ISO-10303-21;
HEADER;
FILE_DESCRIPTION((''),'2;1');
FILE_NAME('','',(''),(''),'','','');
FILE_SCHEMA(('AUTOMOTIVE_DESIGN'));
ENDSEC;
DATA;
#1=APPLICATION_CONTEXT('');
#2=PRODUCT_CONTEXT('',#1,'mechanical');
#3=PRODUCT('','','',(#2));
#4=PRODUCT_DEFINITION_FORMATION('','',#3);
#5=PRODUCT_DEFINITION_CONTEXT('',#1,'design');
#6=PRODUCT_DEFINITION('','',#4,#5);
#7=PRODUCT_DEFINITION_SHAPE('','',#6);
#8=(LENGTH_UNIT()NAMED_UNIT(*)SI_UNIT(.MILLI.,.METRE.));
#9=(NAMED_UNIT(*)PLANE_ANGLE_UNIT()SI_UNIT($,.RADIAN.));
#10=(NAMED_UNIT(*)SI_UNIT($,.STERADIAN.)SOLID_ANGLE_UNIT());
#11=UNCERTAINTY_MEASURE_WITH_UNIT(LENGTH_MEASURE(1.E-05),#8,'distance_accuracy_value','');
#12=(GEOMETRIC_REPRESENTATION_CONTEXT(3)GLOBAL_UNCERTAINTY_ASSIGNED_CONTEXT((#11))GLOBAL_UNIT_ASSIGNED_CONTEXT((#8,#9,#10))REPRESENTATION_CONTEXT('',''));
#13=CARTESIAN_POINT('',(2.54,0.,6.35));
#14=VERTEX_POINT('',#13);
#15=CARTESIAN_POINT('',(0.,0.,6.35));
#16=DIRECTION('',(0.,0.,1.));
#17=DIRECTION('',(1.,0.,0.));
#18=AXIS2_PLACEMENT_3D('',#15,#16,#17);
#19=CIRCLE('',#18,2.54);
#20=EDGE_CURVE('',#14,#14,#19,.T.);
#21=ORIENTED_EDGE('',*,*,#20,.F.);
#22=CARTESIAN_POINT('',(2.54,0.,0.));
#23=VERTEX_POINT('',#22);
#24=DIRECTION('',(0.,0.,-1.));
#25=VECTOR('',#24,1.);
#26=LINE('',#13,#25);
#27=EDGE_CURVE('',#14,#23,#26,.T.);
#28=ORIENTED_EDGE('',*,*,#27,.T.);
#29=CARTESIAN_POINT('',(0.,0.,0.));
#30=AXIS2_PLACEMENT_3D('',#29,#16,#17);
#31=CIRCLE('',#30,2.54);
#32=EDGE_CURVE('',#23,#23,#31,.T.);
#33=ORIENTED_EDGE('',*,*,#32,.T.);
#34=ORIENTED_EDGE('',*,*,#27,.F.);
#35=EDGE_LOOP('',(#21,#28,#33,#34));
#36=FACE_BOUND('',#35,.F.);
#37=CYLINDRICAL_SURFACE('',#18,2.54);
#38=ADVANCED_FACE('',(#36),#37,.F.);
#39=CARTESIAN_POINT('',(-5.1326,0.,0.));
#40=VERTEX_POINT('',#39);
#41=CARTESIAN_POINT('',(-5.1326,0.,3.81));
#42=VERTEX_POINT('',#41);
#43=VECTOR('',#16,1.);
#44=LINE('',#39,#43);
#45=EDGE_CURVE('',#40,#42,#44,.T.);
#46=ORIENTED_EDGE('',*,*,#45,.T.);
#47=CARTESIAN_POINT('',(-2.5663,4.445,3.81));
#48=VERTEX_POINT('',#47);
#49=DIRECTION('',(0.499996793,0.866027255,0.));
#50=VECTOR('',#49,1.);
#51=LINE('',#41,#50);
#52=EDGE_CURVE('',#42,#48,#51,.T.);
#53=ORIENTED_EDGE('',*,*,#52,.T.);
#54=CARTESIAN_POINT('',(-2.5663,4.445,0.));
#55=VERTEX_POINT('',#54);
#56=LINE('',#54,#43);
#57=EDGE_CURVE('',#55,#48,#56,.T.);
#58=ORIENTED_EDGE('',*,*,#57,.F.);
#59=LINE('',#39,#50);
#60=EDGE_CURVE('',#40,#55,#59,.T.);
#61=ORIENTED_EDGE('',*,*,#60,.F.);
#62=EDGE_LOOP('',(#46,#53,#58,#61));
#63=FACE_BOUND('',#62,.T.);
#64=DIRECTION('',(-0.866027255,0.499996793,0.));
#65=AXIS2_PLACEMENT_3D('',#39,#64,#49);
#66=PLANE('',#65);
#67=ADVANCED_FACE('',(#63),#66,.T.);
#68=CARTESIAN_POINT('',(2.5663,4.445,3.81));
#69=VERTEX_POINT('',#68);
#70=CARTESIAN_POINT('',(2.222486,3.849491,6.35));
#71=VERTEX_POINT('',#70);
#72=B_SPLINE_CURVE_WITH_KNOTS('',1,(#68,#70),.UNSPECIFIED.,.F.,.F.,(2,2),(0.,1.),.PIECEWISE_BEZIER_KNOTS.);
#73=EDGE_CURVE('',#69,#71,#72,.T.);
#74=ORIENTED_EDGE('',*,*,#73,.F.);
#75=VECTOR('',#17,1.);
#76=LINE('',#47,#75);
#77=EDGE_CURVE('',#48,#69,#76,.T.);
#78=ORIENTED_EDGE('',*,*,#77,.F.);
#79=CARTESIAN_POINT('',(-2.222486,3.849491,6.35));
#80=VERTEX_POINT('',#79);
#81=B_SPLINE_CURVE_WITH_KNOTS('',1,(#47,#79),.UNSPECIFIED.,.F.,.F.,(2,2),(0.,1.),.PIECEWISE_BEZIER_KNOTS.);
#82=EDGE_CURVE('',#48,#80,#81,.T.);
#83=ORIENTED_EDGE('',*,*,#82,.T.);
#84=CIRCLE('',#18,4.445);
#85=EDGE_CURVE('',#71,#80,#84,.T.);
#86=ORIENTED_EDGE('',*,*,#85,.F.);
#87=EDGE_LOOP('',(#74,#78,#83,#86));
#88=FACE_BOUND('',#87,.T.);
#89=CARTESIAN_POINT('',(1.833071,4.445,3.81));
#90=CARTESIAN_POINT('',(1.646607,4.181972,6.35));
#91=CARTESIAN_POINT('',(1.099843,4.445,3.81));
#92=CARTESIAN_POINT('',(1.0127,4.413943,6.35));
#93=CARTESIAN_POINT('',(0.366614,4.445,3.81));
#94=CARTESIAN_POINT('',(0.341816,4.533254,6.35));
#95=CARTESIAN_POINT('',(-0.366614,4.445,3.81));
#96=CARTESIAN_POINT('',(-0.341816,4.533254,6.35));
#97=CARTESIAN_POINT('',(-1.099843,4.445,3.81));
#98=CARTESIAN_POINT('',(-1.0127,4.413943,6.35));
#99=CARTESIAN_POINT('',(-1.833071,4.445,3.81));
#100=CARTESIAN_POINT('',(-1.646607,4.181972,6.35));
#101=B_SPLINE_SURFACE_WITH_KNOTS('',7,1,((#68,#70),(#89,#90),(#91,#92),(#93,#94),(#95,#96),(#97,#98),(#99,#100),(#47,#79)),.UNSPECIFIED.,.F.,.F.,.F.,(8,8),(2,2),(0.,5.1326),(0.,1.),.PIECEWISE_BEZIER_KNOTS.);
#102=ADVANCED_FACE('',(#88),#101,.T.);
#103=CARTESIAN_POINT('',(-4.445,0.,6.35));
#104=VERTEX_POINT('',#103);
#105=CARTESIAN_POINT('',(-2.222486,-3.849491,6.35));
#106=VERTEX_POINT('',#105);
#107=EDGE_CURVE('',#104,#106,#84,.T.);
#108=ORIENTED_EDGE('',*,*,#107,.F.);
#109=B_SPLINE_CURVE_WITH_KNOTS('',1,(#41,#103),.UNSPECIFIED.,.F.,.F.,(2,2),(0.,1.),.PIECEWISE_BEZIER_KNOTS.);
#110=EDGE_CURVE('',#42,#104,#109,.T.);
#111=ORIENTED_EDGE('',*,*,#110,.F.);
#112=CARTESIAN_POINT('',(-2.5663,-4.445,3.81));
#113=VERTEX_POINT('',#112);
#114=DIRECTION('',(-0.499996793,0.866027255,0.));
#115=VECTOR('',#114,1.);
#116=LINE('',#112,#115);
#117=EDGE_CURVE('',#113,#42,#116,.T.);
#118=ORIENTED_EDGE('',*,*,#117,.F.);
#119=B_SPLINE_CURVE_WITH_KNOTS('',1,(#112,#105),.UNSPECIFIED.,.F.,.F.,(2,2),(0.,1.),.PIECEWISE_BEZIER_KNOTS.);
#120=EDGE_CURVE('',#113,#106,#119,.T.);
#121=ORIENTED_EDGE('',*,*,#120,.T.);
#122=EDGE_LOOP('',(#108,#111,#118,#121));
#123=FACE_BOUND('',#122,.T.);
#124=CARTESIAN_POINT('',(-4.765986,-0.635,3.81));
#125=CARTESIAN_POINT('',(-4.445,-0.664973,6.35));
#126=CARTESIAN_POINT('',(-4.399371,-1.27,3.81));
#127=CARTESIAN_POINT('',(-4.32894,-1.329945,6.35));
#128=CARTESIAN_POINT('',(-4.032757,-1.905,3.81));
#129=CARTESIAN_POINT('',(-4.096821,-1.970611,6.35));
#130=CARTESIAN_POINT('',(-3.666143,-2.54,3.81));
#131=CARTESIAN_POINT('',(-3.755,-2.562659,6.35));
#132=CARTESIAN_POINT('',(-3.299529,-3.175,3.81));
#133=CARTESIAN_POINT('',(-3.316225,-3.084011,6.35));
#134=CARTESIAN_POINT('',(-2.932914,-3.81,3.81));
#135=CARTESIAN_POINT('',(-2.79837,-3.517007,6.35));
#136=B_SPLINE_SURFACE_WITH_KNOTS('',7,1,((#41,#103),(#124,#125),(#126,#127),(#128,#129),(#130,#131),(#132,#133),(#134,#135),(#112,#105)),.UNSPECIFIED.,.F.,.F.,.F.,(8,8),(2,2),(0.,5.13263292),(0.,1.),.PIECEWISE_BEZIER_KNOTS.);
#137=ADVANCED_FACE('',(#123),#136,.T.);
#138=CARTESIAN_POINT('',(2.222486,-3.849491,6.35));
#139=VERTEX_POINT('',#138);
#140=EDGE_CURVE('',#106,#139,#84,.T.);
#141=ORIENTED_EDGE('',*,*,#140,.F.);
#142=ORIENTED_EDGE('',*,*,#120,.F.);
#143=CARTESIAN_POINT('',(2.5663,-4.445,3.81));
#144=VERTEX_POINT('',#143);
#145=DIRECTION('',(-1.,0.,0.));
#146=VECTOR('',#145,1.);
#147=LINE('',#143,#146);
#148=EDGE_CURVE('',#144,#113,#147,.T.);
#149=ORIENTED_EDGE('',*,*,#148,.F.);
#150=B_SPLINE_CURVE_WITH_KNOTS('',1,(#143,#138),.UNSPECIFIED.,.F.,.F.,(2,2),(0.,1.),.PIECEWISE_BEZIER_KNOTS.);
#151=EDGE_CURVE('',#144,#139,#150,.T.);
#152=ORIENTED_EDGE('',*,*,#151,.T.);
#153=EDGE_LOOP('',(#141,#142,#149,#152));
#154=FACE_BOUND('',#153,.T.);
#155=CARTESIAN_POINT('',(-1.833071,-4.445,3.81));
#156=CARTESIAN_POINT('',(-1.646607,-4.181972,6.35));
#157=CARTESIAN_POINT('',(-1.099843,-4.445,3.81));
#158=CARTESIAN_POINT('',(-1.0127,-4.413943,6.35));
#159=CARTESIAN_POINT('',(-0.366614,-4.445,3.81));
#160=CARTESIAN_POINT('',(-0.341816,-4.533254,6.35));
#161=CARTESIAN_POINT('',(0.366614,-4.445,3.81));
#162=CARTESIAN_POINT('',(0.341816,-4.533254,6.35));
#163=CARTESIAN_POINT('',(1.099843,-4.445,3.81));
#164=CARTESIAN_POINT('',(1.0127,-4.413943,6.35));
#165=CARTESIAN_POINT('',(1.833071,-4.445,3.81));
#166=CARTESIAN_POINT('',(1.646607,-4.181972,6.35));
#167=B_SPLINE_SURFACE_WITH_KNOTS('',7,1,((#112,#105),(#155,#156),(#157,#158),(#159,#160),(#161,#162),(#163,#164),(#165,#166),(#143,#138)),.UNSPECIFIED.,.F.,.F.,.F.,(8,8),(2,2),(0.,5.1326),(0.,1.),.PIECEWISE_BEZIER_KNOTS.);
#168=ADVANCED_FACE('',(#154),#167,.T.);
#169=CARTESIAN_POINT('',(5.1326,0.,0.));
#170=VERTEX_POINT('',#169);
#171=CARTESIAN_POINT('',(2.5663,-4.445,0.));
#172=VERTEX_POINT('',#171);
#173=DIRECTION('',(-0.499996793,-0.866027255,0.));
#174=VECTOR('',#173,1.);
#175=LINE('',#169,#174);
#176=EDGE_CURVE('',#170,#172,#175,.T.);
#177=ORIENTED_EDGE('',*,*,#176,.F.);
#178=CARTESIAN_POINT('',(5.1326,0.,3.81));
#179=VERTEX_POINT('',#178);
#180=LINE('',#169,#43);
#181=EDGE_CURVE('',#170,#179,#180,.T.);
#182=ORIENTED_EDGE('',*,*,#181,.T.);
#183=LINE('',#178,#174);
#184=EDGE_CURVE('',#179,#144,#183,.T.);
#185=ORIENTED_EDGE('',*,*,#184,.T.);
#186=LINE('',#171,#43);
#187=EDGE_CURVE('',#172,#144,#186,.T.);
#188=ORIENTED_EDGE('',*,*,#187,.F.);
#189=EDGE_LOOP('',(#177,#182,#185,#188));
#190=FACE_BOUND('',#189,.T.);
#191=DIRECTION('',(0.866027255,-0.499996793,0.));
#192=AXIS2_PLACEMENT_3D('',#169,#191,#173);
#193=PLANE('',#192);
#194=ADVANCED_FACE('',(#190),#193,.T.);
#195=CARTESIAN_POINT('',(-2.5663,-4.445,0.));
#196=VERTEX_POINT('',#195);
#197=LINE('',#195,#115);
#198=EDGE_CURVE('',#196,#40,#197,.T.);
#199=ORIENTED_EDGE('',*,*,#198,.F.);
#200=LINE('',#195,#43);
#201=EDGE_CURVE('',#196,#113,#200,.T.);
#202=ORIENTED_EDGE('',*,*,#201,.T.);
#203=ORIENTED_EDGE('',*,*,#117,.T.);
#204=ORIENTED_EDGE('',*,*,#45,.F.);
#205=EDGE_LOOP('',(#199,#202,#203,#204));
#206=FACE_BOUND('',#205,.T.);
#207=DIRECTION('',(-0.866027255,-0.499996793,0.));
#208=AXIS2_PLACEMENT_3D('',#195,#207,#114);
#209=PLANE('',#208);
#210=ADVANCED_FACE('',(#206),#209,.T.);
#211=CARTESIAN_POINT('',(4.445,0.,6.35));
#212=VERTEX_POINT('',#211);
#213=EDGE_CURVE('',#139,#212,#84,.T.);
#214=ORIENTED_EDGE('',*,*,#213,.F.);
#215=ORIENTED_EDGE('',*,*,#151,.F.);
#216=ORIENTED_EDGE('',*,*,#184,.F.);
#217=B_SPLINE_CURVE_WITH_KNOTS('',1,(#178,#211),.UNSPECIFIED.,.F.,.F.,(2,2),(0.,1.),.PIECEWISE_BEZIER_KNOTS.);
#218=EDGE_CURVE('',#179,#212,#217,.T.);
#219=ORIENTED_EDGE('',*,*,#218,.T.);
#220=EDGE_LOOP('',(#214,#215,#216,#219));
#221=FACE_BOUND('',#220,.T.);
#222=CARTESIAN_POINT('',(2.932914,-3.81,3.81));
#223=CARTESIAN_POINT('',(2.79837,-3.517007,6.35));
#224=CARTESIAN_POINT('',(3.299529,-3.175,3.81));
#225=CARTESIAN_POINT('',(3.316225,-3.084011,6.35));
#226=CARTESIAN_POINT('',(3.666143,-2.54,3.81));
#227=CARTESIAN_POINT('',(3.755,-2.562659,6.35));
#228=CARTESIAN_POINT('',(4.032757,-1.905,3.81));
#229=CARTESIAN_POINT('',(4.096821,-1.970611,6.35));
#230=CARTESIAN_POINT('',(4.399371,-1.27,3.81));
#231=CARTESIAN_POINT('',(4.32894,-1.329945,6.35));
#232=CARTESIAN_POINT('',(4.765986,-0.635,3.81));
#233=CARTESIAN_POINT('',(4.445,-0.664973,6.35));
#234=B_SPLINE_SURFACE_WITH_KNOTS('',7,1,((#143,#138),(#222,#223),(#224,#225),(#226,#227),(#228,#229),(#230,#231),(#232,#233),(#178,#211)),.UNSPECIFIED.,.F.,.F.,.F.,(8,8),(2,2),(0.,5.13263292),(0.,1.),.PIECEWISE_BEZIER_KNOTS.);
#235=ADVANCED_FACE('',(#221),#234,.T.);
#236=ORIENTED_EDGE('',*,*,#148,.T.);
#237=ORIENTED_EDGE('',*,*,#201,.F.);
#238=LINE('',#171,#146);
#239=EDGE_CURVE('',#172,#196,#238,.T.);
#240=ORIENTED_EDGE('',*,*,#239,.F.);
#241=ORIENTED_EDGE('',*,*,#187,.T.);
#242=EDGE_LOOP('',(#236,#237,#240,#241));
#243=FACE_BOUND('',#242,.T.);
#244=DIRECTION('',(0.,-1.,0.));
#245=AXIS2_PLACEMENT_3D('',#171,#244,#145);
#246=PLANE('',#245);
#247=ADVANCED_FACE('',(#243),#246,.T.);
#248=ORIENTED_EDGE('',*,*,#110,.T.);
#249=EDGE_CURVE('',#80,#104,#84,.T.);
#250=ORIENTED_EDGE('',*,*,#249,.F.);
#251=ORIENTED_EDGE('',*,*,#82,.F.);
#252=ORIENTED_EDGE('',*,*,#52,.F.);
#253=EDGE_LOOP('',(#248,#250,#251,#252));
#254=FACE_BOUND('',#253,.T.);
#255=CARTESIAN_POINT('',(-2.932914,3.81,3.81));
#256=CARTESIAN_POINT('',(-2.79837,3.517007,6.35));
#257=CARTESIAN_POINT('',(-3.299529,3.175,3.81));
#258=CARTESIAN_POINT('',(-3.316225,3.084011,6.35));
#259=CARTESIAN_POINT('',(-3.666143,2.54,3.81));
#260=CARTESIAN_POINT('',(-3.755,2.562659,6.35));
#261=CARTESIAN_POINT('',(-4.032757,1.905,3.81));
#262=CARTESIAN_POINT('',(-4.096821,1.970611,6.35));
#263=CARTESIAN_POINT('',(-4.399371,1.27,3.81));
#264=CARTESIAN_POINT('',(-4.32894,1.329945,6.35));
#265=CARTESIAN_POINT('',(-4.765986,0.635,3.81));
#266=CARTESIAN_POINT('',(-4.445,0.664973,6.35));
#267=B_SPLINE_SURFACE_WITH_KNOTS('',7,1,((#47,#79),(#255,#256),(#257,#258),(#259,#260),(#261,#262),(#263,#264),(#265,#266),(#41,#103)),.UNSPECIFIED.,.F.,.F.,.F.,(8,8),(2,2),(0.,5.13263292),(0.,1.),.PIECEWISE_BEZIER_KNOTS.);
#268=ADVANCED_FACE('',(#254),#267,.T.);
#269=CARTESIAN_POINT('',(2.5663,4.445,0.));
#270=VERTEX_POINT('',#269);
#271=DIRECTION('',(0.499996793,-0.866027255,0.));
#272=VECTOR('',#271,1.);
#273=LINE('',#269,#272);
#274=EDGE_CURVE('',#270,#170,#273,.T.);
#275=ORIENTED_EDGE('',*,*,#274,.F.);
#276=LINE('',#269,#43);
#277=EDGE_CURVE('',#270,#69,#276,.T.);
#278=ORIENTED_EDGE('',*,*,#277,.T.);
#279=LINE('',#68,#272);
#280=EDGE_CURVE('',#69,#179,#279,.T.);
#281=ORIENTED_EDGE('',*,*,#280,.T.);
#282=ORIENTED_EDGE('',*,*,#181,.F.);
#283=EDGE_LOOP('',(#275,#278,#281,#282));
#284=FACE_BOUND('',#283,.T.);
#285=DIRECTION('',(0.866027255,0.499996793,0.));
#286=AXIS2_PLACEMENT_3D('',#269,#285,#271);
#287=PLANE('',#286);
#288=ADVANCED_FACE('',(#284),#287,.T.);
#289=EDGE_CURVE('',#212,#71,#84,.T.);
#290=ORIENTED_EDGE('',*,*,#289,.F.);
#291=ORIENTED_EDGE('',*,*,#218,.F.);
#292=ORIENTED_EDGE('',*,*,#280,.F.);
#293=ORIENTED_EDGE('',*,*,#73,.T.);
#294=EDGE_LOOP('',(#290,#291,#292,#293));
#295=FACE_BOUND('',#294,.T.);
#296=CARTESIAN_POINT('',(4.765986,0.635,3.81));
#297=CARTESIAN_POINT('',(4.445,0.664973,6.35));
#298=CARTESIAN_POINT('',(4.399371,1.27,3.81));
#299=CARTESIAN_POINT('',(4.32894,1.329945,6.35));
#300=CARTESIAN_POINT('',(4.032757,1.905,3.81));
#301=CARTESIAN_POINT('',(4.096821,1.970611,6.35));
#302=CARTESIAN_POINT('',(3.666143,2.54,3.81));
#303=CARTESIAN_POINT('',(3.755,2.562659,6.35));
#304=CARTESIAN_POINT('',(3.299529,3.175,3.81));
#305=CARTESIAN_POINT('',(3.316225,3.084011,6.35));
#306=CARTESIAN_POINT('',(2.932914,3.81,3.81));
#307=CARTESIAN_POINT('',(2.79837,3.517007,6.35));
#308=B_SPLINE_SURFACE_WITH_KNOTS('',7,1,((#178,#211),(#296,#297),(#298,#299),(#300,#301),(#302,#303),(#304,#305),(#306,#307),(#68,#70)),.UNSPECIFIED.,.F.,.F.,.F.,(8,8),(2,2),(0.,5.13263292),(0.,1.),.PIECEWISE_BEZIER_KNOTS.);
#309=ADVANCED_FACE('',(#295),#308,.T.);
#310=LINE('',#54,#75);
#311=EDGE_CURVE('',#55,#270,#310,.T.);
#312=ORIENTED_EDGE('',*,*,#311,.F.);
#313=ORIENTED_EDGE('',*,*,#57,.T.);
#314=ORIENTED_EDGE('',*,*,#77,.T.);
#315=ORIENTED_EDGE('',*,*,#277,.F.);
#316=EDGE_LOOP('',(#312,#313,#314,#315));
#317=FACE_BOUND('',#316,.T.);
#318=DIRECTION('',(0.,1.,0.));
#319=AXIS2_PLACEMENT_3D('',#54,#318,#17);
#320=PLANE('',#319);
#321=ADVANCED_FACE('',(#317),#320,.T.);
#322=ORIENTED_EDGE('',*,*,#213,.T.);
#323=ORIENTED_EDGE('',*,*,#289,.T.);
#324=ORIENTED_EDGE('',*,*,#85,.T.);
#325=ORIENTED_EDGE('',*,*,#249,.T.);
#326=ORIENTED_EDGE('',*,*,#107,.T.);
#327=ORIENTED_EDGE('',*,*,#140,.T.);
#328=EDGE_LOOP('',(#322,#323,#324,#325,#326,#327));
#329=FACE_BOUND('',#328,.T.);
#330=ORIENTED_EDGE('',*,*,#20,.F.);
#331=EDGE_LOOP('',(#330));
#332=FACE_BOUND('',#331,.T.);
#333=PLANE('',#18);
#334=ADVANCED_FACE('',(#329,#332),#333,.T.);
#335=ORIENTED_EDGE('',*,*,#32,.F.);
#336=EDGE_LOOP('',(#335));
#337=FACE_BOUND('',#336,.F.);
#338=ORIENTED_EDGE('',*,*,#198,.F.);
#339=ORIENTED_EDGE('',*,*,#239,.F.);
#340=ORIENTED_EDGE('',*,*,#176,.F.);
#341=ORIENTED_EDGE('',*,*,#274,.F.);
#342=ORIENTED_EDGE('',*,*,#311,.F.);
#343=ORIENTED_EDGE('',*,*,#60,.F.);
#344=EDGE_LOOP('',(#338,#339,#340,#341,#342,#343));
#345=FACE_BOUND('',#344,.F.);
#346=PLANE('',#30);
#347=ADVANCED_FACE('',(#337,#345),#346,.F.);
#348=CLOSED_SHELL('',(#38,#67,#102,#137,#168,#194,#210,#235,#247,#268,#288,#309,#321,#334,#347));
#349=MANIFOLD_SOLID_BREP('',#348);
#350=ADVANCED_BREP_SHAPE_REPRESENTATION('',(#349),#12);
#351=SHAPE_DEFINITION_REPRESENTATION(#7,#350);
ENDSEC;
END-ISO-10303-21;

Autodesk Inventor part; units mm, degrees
ref_plane "YZ Plane" through (0, 0, 0) normal (1, 0, 0) x (0, 1, 0)
ref_plane "XZ Plane" through (0, 0, 0) normal (0, 1, 0) x (-1, 0, 0)
sketch "Sketch1" plane through (0, 0, 0) normal (0, 0, 1) x (1, 0, 0)
  line L0 (2.5663, 4.445) -> (5.1326, 0)
  line L1 (5.1326, 0) -> (2.5663, -4.445)
  line L2 (2.5663, -4.445) -> (-2.5663, -4.445)
  line L3 (-2.5663, -4.445) -> (-5.1326, 0)
  line L4 (-5.1326, 0) -> (-2.5663, 4.445)
  line L5 (-2.5663, 4.445) -> (2.5663, 4.445)
  line L6 (0, 0) -> (0.7817, 0)
  dimension "d0" = 8.89
extrude "Extrusion1" add sketch "Sketch1" along normal blind 3.81
sketch "Sketch2" plane through (0, 0, 3.81) normal (0, 0, 1) x (1, 0, 0)
  line L0 (5.1326, 0) -> (2.5663, 4.445) projected
  line L1 (2.5663, 4.445) -> (-2.5663, 4.445) projected
  line L2 (-2.5663, 4.445) -> (-5.1326, 0) projected
  line L3 (-5.1326, 0) -> (-2.5663, -4.445) projected
  line L4 (-2.5663, -4.445) -> (2.5663, -4.445) projected
  line L5 (2.5663, -4.445) -> (5.1326, 0) projected
  point P0 (0, 0)
ref_plane "Work Plane1" through (0, 0, 6.35) normal (0, 0, 1) x (1, 0, 0)
sketch "Sketch3" plane through (0, 0, 6.35) normal (0, 0, 1) x (1, 0, 0)
  circle A0 centre (0, 0) radius 4.445
  dimension "d4" = 8.89
loft "Loft1" add profiles "Sketch2", "Sketch3"
sketch "Sketch4" plane through (0, 0, 6.35) normal (0, 0, 1) x (1, 0, 0)
  circle A0 centre (0, 0) radius 2.54
  dimension "d9" = 5.08
extrude "Extrusion2" cut sketch "Sketch4" against normal blind 25.4
properties part number "RobotArm Nut2"
